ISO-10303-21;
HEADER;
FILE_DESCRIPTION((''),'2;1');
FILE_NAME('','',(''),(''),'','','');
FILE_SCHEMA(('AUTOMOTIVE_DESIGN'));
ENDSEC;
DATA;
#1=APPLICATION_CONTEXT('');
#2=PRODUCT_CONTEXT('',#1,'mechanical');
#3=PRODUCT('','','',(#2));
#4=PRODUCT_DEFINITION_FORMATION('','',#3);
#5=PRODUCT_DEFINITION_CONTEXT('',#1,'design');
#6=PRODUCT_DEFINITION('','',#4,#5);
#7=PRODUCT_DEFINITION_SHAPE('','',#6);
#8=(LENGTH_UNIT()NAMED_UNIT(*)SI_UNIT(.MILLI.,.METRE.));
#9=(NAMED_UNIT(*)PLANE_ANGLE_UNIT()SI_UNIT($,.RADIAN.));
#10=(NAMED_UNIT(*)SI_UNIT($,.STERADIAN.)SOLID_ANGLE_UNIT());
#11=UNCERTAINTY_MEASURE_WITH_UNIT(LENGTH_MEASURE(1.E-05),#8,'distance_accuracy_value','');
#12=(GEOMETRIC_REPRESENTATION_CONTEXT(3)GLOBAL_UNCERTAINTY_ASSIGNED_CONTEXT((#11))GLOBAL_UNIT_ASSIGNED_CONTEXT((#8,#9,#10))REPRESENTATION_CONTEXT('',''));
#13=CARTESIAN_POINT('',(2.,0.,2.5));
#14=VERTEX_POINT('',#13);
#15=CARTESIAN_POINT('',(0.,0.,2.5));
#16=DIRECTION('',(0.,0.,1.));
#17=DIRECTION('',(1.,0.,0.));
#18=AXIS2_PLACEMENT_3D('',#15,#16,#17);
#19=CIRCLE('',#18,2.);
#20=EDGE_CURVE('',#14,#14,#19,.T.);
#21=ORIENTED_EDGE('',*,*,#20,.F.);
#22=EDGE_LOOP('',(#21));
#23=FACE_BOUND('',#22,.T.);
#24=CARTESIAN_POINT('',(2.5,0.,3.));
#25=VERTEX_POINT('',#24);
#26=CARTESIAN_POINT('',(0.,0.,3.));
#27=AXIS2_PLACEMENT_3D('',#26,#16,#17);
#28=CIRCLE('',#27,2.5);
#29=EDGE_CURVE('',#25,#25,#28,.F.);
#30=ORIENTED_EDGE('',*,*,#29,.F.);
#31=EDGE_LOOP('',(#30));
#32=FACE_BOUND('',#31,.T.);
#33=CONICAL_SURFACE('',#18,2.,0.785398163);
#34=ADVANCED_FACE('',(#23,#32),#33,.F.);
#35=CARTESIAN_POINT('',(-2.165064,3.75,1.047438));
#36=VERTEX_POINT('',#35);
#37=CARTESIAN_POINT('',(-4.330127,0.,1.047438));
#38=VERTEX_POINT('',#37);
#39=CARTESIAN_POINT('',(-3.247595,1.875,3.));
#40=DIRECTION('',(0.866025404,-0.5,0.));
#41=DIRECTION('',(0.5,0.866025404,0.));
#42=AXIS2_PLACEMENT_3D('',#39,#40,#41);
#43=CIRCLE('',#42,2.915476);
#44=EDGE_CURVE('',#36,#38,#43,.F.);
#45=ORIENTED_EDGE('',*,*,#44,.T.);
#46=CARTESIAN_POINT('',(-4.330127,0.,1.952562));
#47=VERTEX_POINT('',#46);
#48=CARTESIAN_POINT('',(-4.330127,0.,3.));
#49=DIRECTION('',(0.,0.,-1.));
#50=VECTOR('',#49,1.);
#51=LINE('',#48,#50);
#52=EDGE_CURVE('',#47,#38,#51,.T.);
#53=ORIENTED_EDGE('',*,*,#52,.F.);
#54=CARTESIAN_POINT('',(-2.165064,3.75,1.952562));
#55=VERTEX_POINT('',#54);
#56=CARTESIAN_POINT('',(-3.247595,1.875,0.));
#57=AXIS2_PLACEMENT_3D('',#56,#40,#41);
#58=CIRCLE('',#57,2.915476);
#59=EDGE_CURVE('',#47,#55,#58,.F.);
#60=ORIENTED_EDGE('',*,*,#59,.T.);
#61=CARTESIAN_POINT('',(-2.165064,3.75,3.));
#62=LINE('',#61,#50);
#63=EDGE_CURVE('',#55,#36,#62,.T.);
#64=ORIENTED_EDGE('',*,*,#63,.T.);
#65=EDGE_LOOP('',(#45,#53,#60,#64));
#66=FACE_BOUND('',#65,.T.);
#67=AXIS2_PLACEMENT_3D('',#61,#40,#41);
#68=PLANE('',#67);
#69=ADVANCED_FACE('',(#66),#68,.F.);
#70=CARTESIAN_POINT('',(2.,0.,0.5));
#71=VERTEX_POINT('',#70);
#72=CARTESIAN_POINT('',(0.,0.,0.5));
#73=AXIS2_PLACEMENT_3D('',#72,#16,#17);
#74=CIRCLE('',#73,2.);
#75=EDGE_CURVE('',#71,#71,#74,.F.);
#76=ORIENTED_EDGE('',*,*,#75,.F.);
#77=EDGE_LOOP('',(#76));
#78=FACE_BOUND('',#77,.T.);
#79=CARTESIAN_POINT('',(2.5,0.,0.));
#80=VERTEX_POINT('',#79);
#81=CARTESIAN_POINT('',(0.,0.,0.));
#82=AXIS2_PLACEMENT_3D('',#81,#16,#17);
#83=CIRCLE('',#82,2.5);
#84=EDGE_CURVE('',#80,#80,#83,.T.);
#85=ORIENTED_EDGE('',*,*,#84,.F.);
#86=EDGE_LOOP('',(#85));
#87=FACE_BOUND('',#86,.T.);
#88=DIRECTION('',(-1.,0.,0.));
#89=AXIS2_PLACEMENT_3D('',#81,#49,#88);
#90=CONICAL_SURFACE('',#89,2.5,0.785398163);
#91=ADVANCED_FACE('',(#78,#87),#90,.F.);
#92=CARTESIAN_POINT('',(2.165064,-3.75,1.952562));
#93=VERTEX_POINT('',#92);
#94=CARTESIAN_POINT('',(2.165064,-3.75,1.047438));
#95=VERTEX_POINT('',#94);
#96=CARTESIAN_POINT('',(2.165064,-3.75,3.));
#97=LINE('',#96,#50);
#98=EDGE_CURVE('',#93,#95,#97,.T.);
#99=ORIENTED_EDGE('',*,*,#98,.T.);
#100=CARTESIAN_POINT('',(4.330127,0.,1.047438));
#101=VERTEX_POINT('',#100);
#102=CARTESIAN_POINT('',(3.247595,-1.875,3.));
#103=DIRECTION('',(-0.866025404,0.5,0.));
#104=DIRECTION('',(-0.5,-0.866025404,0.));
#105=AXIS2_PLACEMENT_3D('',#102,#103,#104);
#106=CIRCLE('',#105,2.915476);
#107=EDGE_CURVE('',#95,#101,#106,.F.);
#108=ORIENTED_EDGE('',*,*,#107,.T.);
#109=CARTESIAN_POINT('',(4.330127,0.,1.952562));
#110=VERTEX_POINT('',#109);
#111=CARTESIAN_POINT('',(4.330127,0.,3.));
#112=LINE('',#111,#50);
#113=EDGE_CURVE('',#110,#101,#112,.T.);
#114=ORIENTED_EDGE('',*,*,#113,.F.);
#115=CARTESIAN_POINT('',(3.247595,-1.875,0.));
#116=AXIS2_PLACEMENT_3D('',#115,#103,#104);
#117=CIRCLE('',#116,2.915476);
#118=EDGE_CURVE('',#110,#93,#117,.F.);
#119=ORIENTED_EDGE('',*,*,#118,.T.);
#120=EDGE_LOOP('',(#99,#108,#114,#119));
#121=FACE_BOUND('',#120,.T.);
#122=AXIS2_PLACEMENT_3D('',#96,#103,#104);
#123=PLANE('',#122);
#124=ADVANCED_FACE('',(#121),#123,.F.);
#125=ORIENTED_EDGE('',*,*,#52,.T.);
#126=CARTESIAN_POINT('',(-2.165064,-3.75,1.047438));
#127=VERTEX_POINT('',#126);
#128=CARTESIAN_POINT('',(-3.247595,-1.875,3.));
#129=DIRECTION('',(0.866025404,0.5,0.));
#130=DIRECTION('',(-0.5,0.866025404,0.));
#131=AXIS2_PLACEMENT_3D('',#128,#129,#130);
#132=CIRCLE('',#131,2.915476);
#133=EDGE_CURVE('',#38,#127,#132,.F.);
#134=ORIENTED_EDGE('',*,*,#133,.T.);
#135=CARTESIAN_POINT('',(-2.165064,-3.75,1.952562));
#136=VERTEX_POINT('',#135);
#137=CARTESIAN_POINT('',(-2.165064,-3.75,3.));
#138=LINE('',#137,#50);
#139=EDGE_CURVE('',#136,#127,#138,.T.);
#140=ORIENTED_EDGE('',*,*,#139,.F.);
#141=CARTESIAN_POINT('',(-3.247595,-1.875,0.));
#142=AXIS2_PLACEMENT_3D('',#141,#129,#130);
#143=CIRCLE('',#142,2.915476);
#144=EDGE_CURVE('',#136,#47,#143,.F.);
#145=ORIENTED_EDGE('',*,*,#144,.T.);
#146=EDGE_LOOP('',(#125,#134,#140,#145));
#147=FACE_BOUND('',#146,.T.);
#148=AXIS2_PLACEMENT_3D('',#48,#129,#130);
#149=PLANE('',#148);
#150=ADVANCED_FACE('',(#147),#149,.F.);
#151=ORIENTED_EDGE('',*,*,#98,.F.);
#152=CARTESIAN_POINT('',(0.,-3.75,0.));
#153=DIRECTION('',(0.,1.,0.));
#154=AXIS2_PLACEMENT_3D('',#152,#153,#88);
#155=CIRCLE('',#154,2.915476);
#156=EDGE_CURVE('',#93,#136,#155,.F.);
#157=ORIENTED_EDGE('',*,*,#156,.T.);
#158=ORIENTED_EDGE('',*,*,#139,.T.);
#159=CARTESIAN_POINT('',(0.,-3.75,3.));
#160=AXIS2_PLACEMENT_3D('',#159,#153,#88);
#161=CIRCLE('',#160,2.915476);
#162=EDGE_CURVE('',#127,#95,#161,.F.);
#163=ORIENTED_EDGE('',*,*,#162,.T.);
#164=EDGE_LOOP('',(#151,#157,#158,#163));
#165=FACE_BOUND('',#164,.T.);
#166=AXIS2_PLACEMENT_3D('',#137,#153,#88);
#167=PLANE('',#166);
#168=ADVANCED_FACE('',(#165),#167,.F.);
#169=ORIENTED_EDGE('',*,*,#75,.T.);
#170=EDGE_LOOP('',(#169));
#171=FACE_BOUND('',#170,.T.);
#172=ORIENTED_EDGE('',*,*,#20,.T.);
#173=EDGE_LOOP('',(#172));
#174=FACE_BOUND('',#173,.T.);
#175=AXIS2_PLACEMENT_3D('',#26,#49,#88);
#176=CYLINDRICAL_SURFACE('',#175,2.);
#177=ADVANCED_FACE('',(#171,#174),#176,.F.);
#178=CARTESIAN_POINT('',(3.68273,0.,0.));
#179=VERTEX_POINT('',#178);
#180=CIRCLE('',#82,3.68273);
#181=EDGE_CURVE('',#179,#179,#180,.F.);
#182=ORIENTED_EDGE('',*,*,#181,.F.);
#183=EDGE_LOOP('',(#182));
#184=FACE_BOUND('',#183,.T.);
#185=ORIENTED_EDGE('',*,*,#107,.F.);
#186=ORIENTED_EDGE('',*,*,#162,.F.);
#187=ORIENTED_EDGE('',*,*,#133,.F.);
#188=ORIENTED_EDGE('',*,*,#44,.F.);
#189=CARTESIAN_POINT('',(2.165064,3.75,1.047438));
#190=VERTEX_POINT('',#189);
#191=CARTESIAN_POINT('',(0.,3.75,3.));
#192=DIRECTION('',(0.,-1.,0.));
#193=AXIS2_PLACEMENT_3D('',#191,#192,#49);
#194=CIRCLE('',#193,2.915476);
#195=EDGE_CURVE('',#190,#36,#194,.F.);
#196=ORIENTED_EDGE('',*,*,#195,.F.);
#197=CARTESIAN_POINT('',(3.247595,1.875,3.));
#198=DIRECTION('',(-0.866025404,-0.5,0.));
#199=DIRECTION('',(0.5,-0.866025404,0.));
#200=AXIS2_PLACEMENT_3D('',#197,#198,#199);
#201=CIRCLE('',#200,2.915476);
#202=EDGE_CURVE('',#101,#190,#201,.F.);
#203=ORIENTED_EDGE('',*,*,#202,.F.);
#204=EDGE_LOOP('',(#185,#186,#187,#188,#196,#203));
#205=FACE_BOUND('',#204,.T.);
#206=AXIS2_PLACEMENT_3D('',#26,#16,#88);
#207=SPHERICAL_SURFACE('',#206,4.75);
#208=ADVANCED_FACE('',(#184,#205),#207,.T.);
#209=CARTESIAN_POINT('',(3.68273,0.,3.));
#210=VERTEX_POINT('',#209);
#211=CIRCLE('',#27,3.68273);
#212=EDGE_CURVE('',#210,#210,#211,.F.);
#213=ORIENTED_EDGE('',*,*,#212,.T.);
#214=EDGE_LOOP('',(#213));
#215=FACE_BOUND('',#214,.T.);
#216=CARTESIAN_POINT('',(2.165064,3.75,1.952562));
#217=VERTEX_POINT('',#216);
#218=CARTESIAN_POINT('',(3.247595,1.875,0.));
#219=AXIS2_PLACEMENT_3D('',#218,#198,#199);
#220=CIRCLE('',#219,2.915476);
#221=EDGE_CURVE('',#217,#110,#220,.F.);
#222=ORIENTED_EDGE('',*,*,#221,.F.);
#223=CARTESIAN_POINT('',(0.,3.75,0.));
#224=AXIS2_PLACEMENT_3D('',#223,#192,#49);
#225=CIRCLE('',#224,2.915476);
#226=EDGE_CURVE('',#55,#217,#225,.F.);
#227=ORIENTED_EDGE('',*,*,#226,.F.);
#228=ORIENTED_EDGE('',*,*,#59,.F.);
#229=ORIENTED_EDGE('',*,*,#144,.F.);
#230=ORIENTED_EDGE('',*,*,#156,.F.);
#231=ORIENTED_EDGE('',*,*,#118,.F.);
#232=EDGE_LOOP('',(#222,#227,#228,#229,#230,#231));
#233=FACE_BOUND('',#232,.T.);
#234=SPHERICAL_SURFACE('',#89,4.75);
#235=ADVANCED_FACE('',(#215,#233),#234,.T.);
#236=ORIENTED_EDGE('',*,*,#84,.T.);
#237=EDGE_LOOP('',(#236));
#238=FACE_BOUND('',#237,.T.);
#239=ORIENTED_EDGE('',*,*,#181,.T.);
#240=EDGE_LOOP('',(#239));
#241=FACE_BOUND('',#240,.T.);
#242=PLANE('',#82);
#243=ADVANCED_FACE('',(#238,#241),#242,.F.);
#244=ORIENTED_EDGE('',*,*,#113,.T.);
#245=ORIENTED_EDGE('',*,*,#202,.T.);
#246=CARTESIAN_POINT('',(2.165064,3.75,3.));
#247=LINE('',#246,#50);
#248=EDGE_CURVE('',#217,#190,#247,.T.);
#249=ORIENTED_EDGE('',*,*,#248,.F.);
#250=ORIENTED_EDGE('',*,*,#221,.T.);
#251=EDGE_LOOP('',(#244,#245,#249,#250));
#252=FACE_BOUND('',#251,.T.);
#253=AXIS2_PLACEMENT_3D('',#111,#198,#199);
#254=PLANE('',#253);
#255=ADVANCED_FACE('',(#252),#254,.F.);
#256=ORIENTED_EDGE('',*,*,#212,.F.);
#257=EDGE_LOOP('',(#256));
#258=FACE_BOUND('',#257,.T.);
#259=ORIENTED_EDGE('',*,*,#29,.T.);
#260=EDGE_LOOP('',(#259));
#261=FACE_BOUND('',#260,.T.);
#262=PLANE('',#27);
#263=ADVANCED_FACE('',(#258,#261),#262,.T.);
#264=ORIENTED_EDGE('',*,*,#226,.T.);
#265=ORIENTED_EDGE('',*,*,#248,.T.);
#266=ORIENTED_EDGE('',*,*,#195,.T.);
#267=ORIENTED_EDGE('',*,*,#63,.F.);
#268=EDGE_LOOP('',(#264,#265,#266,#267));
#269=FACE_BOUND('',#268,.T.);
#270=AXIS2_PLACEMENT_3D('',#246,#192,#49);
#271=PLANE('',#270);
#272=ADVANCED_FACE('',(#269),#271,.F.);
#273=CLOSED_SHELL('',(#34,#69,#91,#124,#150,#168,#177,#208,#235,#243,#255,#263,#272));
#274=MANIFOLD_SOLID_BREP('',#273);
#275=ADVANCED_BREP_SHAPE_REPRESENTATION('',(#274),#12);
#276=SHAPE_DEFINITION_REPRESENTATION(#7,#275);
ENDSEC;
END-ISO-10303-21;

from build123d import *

# Parameters (mm, degrees)
SKETCH1_R           = 2
BOSS_EXTRUDE1_DEPTH = 3
CHAMFER1_SIZE       = 0.5


with BuildPart() as part:
    # Sketch1 → Boss-Extrude1 (new body)
    with BuildSketch(Plane.XY):
        Polygon((4.330127019, 0), (2.165063509, 3.75), (-2.165063509, 3.75), (-4.330127019, 0), (-2.165063509, -3.75), (2.165063509, -3.75), align=None)
        Circle(SKETCH1_R, mode=Mode.SUBTRACT)
    extrude(amount=BOSS_EXTRUDE1_DEPTH)

    # Sketch2 → Cut-Revolve1 (revolve, cut)
    with BuildSketch(Plane(origin=(0, 0, 0), x_dir=(1, 0, 0), z_dir=(0, 1, 0)), mode=Mode.PRIVATE) as cut_revolve1_sk:
        with BuildLine():
            Line((-4.330127019, -1.952562419), (-6.415307532, -1.952562419))
            ThreePointArc((-6.415307532, -1.952562419), (-3.99218262, -5.388056111), (0, -6.70586838))
            Line((0, -6.70586838), (0, -4.75))
            ThreePointArc((0, -4.75), (-2.577579146, -3.989810239), (-4.330127019, -1.952562419))
        make_face()
    cut_revolve1 = revolve(cut_revolve1_sk.sketch.rotate(Axis((0, 0, 1.952562419), (0, 0, 1)), 180), axis=Axis((0, 0, 1.952562419), (0, 0, 1)), mode=Mode.SUBTRACT)

    # Mirror1: Cut-Revolve1 across plane
    add(cut_revolve1.mirror(Plane(origin=(0, 0, 1.5), x_dir=(1, 0, 0), z_dir=(0, 0, -1))), mode=Mode.SUBTRACT)

    # Chamfer1
    chamfer1_edges = [part.edges().sort_by_distance(p)[0] for p in [
        (-2, 0, 0),
        (-2, 0, 3),
    ]]
    chamfer(chamfer1_edges, length=CHAMFER1_SIZE)


solid = part.part
